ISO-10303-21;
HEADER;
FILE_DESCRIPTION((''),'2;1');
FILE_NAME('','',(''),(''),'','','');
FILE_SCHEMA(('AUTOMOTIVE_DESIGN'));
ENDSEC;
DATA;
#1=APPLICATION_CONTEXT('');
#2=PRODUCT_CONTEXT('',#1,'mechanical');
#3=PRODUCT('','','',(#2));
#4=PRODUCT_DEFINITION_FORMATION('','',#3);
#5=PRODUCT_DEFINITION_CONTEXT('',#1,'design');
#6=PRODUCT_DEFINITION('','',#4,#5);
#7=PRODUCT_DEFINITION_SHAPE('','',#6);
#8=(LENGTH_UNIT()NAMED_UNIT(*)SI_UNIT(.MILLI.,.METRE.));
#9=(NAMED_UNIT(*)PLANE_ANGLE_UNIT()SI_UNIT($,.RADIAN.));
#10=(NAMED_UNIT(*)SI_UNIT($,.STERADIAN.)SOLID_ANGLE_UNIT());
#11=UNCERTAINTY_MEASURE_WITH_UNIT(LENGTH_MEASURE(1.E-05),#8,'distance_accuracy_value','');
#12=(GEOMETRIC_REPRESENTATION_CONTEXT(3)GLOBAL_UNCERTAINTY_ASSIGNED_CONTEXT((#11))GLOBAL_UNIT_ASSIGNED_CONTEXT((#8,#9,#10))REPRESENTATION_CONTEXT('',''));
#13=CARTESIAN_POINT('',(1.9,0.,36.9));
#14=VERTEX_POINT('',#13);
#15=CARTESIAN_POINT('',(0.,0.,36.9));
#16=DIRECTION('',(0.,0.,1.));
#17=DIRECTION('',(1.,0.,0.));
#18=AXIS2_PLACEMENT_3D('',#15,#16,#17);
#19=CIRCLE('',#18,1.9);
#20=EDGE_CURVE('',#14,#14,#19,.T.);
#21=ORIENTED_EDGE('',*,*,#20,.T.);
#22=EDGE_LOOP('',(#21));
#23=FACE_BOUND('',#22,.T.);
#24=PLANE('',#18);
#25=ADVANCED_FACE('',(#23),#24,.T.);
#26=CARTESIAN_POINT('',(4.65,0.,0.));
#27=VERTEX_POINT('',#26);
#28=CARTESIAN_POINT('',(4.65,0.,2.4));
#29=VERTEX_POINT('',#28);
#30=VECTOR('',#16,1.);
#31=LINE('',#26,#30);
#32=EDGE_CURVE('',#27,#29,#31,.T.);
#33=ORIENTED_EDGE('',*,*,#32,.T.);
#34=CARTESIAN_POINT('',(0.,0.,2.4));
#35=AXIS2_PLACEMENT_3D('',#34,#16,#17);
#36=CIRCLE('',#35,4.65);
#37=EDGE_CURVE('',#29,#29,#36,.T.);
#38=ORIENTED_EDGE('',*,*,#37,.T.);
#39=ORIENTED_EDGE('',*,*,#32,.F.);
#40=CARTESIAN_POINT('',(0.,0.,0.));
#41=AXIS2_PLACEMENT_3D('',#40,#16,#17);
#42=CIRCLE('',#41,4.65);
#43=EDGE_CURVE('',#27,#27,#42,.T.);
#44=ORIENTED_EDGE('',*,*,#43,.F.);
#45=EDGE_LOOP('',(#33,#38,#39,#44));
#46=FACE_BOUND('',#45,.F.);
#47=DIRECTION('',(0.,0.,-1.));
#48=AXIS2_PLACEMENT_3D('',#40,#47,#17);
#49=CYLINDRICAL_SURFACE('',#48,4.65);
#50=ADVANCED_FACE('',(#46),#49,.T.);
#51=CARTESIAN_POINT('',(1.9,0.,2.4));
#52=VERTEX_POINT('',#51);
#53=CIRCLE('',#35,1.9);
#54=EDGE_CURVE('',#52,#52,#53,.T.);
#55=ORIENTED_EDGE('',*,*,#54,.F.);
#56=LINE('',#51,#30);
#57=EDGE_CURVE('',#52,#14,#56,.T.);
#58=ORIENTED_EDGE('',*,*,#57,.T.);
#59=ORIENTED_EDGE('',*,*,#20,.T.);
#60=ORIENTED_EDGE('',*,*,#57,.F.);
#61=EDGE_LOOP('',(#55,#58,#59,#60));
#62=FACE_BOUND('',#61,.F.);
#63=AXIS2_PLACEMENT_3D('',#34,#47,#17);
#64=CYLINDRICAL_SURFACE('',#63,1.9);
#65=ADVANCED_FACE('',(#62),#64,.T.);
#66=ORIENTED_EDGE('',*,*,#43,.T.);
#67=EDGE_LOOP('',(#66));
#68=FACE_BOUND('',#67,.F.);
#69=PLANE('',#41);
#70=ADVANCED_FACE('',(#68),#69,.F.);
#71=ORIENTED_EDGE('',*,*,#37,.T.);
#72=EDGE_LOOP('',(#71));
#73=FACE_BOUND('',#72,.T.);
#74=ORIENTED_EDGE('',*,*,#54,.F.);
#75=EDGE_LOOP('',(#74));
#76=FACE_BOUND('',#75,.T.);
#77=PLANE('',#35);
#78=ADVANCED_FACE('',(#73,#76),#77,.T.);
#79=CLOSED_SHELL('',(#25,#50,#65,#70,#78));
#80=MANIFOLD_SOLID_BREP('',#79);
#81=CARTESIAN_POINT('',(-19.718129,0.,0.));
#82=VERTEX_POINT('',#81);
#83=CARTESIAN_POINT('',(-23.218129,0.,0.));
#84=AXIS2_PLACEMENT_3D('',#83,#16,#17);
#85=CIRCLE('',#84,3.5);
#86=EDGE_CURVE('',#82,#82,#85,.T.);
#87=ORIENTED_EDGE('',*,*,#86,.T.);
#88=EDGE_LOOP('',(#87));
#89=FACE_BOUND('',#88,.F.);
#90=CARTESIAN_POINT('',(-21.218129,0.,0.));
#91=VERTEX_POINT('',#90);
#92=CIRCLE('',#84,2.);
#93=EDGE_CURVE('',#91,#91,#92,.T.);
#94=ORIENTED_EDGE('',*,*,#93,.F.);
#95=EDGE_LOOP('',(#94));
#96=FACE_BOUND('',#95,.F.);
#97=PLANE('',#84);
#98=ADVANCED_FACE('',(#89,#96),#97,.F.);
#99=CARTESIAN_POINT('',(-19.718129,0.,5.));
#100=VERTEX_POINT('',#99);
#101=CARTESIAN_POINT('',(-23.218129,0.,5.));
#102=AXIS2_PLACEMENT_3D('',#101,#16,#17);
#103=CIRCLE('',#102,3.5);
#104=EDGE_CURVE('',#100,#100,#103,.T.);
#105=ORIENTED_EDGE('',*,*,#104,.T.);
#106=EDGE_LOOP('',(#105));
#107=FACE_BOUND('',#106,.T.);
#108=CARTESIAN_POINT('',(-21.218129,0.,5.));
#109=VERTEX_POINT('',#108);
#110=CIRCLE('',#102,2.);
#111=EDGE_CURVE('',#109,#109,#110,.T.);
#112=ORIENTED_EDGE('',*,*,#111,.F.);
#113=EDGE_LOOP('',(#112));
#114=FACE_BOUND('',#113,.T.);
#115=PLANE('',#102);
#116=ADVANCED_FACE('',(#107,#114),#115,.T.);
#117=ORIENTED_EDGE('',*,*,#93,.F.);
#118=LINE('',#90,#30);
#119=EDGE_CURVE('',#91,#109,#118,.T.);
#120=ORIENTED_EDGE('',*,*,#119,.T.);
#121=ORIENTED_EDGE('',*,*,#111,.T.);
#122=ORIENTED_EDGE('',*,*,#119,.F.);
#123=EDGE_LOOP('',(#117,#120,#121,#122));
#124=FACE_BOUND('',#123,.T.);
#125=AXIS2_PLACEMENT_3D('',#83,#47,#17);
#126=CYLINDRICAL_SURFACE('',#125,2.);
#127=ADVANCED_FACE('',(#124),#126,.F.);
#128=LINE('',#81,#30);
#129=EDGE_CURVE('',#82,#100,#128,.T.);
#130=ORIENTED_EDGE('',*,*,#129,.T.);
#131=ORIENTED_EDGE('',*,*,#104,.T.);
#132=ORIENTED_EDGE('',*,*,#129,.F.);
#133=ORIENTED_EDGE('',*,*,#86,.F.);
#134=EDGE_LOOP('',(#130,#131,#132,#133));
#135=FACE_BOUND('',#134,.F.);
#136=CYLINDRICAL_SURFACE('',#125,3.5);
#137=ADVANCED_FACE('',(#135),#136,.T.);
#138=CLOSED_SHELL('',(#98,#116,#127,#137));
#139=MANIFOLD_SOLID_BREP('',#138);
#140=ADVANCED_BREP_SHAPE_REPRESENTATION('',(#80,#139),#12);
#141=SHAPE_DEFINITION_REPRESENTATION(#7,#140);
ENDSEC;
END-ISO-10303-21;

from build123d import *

# Parameters (mm, degrees)
F0_R     = 4.65
F0_R_2   = 1.9
F1_DEPTH = 2.4
F2_R     = 1.9
F3_DEPTH = 34.5
F0_R_3   = 3.5
F0_R_4   = 2
F4_DEPTH = 5


with BuildPart() as f1:
    # F0 (on Top) → F1 (new body)
    with BuildSketch(Plane.XY):
        Circle(F0_R)
        Circle(F0_R_2, mode=Mode.SUBTRACT)
        Circle(F0_R_2)
    extrude(amount=F1_DEPTH)

    # F2 (on face) → F3 (join)
    with BuildSketch(Plane.XY.offset(2.4)):
        Circle(F2_R)
    extrude(amount=F3_DEPTH)


with BuildPart() as f4:
    # F0 (on Top) → F4 (new body)
    with BuildSketch(Plane.XY):
        with Locations((-23.2181288302, 0)):
            Circle(F0_R_3)
        with Locations((-23.2181288302, 0)):
            Circle(F0_R_4, mode=Mode.SUBTRACT)
    extrude(amount=F4_DEPTH)


solid = Compound([f1.part, f4.part])
